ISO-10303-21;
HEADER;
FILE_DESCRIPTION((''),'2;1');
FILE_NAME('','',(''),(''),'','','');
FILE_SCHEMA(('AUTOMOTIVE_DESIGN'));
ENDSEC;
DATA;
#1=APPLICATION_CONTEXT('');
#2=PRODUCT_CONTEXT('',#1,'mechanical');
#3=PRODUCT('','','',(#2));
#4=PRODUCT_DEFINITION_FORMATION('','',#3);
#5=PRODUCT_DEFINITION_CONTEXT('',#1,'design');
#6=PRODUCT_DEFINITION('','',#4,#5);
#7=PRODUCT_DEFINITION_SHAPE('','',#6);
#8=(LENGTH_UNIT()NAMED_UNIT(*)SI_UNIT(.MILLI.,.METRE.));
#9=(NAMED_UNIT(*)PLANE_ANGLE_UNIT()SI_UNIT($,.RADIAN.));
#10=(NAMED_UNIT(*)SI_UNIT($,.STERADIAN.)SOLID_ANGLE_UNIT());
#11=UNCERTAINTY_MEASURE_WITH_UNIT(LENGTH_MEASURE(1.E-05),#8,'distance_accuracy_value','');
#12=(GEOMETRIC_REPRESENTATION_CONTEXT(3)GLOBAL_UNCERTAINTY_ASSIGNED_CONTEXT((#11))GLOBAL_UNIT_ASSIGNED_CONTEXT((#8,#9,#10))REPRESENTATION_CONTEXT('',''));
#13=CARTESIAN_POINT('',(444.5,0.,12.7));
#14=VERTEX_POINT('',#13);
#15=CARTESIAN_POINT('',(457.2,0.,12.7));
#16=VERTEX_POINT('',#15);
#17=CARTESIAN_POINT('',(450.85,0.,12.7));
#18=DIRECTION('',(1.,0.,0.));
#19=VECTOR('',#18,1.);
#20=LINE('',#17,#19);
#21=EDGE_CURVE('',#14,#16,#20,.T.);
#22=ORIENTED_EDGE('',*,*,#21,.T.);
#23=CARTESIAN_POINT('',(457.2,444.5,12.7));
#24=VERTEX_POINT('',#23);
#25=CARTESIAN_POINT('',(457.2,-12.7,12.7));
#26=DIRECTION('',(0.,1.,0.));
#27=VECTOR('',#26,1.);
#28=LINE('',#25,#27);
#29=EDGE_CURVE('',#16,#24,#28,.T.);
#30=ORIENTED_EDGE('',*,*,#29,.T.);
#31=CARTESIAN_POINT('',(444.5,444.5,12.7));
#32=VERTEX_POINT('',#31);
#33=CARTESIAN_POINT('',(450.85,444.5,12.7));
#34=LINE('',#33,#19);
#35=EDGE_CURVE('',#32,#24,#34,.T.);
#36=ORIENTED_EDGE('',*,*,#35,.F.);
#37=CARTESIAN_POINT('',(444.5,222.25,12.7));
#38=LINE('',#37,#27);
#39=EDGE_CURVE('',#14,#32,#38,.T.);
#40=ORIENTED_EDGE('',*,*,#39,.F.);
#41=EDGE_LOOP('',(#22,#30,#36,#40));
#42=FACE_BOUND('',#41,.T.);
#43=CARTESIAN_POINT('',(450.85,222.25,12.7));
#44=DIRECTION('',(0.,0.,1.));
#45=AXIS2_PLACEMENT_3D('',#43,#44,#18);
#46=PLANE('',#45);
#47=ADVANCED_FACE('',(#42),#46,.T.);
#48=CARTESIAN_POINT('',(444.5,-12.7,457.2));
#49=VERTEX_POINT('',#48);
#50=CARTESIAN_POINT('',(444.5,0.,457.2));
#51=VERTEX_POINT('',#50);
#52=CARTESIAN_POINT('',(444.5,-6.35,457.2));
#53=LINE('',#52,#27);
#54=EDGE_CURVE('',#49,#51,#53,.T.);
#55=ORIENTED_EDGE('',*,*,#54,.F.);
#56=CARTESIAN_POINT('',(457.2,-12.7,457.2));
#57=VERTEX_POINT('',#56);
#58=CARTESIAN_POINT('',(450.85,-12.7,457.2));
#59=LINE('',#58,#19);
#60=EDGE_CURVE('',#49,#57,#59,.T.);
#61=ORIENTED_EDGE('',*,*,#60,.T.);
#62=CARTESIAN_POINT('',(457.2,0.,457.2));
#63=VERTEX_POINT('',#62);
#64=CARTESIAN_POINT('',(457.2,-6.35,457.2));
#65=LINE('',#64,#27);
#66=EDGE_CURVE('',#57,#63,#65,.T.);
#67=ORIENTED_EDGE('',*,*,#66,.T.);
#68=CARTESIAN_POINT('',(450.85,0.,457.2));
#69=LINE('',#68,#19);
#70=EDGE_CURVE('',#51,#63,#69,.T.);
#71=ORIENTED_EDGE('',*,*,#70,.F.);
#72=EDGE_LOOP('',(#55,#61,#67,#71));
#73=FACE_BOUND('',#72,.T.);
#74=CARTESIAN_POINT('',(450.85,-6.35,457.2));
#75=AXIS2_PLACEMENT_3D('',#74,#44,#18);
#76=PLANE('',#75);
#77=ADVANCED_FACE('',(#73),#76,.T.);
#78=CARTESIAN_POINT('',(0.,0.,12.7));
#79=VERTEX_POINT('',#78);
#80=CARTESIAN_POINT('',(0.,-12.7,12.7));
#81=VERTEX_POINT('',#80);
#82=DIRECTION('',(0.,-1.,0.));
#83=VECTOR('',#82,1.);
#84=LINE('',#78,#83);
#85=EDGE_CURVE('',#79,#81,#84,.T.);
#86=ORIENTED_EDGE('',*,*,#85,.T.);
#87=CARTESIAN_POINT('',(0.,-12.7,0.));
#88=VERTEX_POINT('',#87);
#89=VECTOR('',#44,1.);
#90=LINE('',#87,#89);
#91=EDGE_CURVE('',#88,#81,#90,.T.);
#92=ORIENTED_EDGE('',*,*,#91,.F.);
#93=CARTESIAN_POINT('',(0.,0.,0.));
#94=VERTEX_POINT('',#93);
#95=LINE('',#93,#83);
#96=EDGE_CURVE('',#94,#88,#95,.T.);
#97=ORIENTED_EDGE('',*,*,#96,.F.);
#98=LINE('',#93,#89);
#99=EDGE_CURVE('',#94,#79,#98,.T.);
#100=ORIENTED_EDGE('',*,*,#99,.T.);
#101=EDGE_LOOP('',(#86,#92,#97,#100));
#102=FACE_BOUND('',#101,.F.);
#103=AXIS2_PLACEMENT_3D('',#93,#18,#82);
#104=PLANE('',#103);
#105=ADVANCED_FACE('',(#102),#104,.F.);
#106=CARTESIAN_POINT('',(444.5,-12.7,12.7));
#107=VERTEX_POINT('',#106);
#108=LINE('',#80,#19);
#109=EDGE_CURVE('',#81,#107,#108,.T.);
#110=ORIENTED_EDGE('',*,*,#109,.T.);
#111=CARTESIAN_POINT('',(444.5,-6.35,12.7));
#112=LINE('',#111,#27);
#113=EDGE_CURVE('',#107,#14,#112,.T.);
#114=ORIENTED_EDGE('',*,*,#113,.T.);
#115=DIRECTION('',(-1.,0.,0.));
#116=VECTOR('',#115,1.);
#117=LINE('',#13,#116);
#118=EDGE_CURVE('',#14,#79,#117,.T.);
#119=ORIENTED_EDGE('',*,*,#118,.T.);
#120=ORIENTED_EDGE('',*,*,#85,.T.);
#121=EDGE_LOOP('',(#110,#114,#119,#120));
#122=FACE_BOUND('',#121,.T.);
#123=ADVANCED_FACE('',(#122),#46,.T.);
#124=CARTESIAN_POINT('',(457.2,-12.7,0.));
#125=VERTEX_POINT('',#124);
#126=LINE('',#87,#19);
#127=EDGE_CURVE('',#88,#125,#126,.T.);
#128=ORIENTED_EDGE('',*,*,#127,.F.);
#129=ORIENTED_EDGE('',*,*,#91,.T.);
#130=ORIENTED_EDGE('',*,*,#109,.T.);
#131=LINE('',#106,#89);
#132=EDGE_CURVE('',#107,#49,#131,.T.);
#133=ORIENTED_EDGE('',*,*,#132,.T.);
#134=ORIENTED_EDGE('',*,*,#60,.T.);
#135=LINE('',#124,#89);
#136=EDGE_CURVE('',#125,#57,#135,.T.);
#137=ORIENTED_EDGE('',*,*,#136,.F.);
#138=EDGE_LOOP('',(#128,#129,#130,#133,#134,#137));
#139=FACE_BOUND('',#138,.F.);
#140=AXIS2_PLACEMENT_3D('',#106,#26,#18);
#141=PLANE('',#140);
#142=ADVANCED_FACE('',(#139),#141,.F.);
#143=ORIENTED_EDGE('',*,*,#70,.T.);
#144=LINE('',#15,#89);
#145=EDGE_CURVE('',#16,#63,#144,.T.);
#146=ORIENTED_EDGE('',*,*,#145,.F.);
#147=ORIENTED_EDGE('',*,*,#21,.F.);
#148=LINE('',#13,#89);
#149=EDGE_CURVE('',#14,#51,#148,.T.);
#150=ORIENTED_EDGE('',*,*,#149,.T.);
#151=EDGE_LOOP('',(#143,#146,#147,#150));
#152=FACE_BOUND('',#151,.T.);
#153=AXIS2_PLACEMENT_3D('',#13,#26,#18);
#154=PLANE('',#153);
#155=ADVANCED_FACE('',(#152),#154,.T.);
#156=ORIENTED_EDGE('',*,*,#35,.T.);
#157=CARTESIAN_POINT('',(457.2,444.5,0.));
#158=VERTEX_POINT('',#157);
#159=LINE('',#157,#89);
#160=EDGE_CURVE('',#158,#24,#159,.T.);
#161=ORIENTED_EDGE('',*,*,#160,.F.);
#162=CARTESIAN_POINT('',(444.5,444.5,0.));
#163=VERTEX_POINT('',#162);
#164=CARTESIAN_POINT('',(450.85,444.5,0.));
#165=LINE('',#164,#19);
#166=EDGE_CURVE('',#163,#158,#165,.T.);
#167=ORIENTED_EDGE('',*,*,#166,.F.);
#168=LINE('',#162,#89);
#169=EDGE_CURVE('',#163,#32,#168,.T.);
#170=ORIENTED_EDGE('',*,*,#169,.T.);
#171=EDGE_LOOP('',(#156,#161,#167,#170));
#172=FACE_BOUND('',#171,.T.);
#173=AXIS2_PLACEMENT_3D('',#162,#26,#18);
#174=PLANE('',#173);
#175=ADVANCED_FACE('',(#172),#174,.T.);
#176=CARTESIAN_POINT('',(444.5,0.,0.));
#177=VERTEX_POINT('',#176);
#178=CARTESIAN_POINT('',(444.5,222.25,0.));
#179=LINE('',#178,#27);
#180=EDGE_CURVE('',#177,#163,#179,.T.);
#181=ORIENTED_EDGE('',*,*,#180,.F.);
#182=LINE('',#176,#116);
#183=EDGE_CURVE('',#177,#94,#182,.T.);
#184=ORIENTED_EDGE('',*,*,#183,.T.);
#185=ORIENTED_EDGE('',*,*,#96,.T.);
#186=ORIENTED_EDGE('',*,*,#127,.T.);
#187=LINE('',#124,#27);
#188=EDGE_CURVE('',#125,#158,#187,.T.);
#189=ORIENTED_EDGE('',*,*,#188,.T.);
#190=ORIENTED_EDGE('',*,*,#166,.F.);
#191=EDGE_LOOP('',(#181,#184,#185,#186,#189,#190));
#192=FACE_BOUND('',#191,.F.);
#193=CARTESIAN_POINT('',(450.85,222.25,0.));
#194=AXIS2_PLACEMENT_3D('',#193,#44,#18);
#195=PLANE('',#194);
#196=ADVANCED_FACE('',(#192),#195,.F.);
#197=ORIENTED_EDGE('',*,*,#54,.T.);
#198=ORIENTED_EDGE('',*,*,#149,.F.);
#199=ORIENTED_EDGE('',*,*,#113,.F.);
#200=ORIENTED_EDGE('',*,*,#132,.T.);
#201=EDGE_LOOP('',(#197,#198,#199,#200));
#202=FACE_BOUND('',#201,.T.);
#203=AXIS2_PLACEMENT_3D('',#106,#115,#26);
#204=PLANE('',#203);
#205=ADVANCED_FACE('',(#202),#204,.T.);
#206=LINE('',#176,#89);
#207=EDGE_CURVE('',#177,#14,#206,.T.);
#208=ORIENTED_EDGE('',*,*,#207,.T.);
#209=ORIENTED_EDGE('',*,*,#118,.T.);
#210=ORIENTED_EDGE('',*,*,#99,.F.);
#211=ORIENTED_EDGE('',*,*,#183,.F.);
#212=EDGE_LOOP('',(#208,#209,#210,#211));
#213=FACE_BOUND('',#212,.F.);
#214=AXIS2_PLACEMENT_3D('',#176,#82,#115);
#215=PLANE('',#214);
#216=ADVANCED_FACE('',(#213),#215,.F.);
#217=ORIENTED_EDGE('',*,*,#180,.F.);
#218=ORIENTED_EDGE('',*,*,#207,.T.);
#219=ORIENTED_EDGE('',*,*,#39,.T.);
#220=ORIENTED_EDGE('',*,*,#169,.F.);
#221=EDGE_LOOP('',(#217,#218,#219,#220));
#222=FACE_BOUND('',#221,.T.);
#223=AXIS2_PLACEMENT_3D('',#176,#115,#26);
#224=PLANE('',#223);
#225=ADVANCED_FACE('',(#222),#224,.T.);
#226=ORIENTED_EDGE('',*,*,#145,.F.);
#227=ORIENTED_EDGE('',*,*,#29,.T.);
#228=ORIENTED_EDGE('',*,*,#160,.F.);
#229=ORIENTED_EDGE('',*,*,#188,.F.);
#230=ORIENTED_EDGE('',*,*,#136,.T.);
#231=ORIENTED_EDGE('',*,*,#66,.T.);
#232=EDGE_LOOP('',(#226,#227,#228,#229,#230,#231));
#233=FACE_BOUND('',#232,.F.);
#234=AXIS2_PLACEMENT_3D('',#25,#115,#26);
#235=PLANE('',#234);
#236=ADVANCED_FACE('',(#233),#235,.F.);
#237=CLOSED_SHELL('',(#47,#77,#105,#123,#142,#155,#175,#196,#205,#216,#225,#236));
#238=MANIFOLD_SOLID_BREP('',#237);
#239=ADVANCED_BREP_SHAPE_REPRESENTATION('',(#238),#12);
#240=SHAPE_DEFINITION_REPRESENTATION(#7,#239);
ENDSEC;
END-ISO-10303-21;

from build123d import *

# Parameters (mm, degrees)
F0_W     = 12.7
F0_H     = 444.5
F1_DEPTH = 12.7
F2_W     = 12.7
F2_H     = 12.7
F3_DEPTH = 444.5


with BuildPart() as f1:
    # F0 (on Top) → F1 (new body)
    with BuildSketch(Plane.XY):
        with Locations((450.85, 222.25)):
            Rectangle(F0_W, F0_H)
        Polygon((444.5, 0), (0, 0), (0, -12.7), (457.2, -12.7), (457.2, 0), align=None)
    extrude(amount=F1_DEPTH)

    # F2 (on face) → F3 (join)
    with BuildSketch(Plane.XY.offset(12.7)):
        with Locations((450.85, -6.35)):
            Rectangle(F2_W, F2_H)
    extrude(amount=F3_DEPTH)


solid = f1.part
